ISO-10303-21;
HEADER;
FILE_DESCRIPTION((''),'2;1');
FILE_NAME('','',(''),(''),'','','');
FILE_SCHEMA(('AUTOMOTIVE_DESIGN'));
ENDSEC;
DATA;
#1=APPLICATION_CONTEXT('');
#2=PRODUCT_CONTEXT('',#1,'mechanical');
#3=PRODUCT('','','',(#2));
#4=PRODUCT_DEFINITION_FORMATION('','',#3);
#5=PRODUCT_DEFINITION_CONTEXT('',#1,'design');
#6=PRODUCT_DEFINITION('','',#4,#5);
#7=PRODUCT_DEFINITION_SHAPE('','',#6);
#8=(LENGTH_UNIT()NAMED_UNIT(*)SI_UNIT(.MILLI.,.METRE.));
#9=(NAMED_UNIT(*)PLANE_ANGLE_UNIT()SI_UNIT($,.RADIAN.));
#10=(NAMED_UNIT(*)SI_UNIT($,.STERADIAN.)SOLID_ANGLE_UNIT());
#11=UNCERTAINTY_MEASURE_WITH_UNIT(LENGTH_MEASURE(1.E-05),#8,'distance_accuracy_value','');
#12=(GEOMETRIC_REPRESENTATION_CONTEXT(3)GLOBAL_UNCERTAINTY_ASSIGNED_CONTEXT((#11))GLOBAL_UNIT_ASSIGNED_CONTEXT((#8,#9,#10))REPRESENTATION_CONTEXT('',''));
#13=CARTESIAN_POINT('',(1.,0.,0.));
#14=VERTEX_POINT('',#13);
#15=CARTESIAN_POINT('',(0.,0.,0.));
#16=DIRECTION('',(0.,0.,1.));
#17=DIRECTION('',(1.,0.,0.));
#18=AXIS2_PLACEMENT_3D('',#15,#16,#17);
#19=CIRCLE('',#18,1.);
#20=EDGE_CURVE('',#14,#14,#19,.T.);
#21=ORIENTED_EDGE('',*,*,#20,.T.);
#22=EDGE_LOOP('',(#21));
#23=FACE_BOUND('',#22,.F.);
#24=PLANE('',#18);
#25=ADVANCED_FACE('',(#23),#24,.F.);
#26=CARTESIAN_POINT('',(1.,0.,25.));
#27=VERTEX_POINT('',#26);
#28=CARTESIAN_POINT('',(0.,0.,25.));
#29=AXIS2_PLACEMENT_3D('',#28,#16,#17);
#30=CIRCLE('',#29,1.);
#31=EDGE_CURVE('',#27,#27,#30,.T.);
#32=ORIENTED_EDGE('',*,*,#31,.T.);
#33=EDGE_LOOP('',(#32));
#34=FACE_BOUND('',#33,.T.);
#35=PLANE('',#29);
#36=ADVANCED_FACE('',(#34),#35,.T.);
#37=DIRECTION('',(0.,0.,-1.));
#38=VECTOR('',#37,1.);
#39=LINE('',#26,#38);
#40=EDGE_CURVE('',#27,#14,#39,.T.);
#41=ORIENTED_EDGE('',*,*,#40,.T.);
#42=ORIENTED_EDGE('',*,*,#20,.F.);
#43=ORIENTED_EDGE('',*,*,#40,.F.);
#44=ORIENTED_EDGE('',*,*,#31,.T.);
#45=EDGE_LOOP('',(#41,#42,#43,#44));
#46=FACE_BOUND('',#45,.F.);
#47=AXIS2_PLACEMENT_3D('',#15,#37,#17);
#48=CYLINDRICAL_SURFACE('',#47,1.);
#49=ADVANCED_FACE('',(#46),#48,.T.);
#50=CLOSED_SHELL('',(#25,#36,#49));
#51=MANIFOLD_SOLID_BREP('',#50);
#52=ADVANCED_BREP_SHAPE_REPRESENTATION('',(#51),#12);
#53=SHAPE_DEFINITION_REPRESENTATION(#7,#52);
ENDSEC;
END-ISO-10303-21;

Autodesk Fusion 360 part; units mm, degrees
sketch "Boceto1" plane through (0, 0, 0) normal (0, 0, 1) x (1, 0, 0)
  line L0 (0, 0) -> (120, 0)
  line L1 (120, 0) -> (120, 50)
  line L2 (120, 50) -> (0, 50)
  line L3 (0, 50) -> (0, 0)
  dimension "d1" = 120
  dimension "d2" = 50
extrude "Extruir1" add sketch "Boceto1" along normal blind 3
sketch "Boceto2" plane through (0, 0, 3) normal (0, 0, 1) x (-1, 0, 0)
  line L0 (0, -50) -> (0, 0)
  line L1 (0, 0) -> (-120, 0)
  line L2 (-120, 0) -> (-120, -50)
  line L3 (-120, -50) -> (0, -50)
  line L4 (-120, -25) -> (0, -25)
  line L5 (-120, -25) -> (-100, -25)
  circle A0 centre (-100, -25) radius 3
  line L6 (-100, -25) -> (-83.13, -25)
  circle A1 centre (-83.13, -25) radius 3
  line L7 (-83.13, -25) -> (-66.26, -25)
  circle A2 centre (-66.26, -25) radius 3
  line L8 (-66.26, -25) -> (-49.39, -25)
  circle A3 centre (-49.39, -25) radius 3
  line L9 (-49.39, -25) -> (-32.52, -25)
  circle A4 centre (-32.52, -25) radius 3
  line L10 (-32.52, -25) -> (-15.65, -25)
  circle A5 centre (-15.65, -25) radius 3
  dimension "d5" = 20
  dimension "d6" = 6
  dimension "d7" = 16.87
  dimension "d8" = 6
  dimension "d9" = 16.87
  dimension "d11" = 6
  dimension "d12" = 16.87
  dimension "d13" = 6
  dimension "d14" = 16.87
  dimension "d15" = 6
  dimension "d16" = 16.87
  dimension "d17" = 6
extrude "Extruir2" cut sketch "Boceto2" against normal blind 3 contours L4 L10 A5 | L4 L10 A5 | L4 L5 A0 L6 | L4 L5 A0 L6 | L4 L9 A4 L10 | L4 L9 A4 L10 | L4 L6 A1 L7 | L4 L6 A1 L7 | L4 L8 A3 L9 | L4 L8 A3 L9 | L4 L7 A2 L8 | L4 L7 A2 L8
equation "d6 = D_b"
equation "d7 = Dc"
equation "d8 = D_b"
equation "d9 = Dc"
equation "Dc = 16.87 mm"
equation "d11 = D_b"
equation "d12 = Dc"
equation "d13 = D_b"
equation "d14 = Dc"
equation "d15 = D_b"
equation "d16 = Dc"
equation "d17 = D_b"
equation "D_b = 6 mm"

Autodesk Fusion 360 part; units mm, degrees
sketch "Boceto1" plane through (0, 0, 0) normal (0, 0, 1) x (1, 0, 0)
  circle A0 centre (0, 0) radius 1
  dimension "d1" = 2
extrude "Extruir1" add sketch "Boceto1" along normal blind 25
